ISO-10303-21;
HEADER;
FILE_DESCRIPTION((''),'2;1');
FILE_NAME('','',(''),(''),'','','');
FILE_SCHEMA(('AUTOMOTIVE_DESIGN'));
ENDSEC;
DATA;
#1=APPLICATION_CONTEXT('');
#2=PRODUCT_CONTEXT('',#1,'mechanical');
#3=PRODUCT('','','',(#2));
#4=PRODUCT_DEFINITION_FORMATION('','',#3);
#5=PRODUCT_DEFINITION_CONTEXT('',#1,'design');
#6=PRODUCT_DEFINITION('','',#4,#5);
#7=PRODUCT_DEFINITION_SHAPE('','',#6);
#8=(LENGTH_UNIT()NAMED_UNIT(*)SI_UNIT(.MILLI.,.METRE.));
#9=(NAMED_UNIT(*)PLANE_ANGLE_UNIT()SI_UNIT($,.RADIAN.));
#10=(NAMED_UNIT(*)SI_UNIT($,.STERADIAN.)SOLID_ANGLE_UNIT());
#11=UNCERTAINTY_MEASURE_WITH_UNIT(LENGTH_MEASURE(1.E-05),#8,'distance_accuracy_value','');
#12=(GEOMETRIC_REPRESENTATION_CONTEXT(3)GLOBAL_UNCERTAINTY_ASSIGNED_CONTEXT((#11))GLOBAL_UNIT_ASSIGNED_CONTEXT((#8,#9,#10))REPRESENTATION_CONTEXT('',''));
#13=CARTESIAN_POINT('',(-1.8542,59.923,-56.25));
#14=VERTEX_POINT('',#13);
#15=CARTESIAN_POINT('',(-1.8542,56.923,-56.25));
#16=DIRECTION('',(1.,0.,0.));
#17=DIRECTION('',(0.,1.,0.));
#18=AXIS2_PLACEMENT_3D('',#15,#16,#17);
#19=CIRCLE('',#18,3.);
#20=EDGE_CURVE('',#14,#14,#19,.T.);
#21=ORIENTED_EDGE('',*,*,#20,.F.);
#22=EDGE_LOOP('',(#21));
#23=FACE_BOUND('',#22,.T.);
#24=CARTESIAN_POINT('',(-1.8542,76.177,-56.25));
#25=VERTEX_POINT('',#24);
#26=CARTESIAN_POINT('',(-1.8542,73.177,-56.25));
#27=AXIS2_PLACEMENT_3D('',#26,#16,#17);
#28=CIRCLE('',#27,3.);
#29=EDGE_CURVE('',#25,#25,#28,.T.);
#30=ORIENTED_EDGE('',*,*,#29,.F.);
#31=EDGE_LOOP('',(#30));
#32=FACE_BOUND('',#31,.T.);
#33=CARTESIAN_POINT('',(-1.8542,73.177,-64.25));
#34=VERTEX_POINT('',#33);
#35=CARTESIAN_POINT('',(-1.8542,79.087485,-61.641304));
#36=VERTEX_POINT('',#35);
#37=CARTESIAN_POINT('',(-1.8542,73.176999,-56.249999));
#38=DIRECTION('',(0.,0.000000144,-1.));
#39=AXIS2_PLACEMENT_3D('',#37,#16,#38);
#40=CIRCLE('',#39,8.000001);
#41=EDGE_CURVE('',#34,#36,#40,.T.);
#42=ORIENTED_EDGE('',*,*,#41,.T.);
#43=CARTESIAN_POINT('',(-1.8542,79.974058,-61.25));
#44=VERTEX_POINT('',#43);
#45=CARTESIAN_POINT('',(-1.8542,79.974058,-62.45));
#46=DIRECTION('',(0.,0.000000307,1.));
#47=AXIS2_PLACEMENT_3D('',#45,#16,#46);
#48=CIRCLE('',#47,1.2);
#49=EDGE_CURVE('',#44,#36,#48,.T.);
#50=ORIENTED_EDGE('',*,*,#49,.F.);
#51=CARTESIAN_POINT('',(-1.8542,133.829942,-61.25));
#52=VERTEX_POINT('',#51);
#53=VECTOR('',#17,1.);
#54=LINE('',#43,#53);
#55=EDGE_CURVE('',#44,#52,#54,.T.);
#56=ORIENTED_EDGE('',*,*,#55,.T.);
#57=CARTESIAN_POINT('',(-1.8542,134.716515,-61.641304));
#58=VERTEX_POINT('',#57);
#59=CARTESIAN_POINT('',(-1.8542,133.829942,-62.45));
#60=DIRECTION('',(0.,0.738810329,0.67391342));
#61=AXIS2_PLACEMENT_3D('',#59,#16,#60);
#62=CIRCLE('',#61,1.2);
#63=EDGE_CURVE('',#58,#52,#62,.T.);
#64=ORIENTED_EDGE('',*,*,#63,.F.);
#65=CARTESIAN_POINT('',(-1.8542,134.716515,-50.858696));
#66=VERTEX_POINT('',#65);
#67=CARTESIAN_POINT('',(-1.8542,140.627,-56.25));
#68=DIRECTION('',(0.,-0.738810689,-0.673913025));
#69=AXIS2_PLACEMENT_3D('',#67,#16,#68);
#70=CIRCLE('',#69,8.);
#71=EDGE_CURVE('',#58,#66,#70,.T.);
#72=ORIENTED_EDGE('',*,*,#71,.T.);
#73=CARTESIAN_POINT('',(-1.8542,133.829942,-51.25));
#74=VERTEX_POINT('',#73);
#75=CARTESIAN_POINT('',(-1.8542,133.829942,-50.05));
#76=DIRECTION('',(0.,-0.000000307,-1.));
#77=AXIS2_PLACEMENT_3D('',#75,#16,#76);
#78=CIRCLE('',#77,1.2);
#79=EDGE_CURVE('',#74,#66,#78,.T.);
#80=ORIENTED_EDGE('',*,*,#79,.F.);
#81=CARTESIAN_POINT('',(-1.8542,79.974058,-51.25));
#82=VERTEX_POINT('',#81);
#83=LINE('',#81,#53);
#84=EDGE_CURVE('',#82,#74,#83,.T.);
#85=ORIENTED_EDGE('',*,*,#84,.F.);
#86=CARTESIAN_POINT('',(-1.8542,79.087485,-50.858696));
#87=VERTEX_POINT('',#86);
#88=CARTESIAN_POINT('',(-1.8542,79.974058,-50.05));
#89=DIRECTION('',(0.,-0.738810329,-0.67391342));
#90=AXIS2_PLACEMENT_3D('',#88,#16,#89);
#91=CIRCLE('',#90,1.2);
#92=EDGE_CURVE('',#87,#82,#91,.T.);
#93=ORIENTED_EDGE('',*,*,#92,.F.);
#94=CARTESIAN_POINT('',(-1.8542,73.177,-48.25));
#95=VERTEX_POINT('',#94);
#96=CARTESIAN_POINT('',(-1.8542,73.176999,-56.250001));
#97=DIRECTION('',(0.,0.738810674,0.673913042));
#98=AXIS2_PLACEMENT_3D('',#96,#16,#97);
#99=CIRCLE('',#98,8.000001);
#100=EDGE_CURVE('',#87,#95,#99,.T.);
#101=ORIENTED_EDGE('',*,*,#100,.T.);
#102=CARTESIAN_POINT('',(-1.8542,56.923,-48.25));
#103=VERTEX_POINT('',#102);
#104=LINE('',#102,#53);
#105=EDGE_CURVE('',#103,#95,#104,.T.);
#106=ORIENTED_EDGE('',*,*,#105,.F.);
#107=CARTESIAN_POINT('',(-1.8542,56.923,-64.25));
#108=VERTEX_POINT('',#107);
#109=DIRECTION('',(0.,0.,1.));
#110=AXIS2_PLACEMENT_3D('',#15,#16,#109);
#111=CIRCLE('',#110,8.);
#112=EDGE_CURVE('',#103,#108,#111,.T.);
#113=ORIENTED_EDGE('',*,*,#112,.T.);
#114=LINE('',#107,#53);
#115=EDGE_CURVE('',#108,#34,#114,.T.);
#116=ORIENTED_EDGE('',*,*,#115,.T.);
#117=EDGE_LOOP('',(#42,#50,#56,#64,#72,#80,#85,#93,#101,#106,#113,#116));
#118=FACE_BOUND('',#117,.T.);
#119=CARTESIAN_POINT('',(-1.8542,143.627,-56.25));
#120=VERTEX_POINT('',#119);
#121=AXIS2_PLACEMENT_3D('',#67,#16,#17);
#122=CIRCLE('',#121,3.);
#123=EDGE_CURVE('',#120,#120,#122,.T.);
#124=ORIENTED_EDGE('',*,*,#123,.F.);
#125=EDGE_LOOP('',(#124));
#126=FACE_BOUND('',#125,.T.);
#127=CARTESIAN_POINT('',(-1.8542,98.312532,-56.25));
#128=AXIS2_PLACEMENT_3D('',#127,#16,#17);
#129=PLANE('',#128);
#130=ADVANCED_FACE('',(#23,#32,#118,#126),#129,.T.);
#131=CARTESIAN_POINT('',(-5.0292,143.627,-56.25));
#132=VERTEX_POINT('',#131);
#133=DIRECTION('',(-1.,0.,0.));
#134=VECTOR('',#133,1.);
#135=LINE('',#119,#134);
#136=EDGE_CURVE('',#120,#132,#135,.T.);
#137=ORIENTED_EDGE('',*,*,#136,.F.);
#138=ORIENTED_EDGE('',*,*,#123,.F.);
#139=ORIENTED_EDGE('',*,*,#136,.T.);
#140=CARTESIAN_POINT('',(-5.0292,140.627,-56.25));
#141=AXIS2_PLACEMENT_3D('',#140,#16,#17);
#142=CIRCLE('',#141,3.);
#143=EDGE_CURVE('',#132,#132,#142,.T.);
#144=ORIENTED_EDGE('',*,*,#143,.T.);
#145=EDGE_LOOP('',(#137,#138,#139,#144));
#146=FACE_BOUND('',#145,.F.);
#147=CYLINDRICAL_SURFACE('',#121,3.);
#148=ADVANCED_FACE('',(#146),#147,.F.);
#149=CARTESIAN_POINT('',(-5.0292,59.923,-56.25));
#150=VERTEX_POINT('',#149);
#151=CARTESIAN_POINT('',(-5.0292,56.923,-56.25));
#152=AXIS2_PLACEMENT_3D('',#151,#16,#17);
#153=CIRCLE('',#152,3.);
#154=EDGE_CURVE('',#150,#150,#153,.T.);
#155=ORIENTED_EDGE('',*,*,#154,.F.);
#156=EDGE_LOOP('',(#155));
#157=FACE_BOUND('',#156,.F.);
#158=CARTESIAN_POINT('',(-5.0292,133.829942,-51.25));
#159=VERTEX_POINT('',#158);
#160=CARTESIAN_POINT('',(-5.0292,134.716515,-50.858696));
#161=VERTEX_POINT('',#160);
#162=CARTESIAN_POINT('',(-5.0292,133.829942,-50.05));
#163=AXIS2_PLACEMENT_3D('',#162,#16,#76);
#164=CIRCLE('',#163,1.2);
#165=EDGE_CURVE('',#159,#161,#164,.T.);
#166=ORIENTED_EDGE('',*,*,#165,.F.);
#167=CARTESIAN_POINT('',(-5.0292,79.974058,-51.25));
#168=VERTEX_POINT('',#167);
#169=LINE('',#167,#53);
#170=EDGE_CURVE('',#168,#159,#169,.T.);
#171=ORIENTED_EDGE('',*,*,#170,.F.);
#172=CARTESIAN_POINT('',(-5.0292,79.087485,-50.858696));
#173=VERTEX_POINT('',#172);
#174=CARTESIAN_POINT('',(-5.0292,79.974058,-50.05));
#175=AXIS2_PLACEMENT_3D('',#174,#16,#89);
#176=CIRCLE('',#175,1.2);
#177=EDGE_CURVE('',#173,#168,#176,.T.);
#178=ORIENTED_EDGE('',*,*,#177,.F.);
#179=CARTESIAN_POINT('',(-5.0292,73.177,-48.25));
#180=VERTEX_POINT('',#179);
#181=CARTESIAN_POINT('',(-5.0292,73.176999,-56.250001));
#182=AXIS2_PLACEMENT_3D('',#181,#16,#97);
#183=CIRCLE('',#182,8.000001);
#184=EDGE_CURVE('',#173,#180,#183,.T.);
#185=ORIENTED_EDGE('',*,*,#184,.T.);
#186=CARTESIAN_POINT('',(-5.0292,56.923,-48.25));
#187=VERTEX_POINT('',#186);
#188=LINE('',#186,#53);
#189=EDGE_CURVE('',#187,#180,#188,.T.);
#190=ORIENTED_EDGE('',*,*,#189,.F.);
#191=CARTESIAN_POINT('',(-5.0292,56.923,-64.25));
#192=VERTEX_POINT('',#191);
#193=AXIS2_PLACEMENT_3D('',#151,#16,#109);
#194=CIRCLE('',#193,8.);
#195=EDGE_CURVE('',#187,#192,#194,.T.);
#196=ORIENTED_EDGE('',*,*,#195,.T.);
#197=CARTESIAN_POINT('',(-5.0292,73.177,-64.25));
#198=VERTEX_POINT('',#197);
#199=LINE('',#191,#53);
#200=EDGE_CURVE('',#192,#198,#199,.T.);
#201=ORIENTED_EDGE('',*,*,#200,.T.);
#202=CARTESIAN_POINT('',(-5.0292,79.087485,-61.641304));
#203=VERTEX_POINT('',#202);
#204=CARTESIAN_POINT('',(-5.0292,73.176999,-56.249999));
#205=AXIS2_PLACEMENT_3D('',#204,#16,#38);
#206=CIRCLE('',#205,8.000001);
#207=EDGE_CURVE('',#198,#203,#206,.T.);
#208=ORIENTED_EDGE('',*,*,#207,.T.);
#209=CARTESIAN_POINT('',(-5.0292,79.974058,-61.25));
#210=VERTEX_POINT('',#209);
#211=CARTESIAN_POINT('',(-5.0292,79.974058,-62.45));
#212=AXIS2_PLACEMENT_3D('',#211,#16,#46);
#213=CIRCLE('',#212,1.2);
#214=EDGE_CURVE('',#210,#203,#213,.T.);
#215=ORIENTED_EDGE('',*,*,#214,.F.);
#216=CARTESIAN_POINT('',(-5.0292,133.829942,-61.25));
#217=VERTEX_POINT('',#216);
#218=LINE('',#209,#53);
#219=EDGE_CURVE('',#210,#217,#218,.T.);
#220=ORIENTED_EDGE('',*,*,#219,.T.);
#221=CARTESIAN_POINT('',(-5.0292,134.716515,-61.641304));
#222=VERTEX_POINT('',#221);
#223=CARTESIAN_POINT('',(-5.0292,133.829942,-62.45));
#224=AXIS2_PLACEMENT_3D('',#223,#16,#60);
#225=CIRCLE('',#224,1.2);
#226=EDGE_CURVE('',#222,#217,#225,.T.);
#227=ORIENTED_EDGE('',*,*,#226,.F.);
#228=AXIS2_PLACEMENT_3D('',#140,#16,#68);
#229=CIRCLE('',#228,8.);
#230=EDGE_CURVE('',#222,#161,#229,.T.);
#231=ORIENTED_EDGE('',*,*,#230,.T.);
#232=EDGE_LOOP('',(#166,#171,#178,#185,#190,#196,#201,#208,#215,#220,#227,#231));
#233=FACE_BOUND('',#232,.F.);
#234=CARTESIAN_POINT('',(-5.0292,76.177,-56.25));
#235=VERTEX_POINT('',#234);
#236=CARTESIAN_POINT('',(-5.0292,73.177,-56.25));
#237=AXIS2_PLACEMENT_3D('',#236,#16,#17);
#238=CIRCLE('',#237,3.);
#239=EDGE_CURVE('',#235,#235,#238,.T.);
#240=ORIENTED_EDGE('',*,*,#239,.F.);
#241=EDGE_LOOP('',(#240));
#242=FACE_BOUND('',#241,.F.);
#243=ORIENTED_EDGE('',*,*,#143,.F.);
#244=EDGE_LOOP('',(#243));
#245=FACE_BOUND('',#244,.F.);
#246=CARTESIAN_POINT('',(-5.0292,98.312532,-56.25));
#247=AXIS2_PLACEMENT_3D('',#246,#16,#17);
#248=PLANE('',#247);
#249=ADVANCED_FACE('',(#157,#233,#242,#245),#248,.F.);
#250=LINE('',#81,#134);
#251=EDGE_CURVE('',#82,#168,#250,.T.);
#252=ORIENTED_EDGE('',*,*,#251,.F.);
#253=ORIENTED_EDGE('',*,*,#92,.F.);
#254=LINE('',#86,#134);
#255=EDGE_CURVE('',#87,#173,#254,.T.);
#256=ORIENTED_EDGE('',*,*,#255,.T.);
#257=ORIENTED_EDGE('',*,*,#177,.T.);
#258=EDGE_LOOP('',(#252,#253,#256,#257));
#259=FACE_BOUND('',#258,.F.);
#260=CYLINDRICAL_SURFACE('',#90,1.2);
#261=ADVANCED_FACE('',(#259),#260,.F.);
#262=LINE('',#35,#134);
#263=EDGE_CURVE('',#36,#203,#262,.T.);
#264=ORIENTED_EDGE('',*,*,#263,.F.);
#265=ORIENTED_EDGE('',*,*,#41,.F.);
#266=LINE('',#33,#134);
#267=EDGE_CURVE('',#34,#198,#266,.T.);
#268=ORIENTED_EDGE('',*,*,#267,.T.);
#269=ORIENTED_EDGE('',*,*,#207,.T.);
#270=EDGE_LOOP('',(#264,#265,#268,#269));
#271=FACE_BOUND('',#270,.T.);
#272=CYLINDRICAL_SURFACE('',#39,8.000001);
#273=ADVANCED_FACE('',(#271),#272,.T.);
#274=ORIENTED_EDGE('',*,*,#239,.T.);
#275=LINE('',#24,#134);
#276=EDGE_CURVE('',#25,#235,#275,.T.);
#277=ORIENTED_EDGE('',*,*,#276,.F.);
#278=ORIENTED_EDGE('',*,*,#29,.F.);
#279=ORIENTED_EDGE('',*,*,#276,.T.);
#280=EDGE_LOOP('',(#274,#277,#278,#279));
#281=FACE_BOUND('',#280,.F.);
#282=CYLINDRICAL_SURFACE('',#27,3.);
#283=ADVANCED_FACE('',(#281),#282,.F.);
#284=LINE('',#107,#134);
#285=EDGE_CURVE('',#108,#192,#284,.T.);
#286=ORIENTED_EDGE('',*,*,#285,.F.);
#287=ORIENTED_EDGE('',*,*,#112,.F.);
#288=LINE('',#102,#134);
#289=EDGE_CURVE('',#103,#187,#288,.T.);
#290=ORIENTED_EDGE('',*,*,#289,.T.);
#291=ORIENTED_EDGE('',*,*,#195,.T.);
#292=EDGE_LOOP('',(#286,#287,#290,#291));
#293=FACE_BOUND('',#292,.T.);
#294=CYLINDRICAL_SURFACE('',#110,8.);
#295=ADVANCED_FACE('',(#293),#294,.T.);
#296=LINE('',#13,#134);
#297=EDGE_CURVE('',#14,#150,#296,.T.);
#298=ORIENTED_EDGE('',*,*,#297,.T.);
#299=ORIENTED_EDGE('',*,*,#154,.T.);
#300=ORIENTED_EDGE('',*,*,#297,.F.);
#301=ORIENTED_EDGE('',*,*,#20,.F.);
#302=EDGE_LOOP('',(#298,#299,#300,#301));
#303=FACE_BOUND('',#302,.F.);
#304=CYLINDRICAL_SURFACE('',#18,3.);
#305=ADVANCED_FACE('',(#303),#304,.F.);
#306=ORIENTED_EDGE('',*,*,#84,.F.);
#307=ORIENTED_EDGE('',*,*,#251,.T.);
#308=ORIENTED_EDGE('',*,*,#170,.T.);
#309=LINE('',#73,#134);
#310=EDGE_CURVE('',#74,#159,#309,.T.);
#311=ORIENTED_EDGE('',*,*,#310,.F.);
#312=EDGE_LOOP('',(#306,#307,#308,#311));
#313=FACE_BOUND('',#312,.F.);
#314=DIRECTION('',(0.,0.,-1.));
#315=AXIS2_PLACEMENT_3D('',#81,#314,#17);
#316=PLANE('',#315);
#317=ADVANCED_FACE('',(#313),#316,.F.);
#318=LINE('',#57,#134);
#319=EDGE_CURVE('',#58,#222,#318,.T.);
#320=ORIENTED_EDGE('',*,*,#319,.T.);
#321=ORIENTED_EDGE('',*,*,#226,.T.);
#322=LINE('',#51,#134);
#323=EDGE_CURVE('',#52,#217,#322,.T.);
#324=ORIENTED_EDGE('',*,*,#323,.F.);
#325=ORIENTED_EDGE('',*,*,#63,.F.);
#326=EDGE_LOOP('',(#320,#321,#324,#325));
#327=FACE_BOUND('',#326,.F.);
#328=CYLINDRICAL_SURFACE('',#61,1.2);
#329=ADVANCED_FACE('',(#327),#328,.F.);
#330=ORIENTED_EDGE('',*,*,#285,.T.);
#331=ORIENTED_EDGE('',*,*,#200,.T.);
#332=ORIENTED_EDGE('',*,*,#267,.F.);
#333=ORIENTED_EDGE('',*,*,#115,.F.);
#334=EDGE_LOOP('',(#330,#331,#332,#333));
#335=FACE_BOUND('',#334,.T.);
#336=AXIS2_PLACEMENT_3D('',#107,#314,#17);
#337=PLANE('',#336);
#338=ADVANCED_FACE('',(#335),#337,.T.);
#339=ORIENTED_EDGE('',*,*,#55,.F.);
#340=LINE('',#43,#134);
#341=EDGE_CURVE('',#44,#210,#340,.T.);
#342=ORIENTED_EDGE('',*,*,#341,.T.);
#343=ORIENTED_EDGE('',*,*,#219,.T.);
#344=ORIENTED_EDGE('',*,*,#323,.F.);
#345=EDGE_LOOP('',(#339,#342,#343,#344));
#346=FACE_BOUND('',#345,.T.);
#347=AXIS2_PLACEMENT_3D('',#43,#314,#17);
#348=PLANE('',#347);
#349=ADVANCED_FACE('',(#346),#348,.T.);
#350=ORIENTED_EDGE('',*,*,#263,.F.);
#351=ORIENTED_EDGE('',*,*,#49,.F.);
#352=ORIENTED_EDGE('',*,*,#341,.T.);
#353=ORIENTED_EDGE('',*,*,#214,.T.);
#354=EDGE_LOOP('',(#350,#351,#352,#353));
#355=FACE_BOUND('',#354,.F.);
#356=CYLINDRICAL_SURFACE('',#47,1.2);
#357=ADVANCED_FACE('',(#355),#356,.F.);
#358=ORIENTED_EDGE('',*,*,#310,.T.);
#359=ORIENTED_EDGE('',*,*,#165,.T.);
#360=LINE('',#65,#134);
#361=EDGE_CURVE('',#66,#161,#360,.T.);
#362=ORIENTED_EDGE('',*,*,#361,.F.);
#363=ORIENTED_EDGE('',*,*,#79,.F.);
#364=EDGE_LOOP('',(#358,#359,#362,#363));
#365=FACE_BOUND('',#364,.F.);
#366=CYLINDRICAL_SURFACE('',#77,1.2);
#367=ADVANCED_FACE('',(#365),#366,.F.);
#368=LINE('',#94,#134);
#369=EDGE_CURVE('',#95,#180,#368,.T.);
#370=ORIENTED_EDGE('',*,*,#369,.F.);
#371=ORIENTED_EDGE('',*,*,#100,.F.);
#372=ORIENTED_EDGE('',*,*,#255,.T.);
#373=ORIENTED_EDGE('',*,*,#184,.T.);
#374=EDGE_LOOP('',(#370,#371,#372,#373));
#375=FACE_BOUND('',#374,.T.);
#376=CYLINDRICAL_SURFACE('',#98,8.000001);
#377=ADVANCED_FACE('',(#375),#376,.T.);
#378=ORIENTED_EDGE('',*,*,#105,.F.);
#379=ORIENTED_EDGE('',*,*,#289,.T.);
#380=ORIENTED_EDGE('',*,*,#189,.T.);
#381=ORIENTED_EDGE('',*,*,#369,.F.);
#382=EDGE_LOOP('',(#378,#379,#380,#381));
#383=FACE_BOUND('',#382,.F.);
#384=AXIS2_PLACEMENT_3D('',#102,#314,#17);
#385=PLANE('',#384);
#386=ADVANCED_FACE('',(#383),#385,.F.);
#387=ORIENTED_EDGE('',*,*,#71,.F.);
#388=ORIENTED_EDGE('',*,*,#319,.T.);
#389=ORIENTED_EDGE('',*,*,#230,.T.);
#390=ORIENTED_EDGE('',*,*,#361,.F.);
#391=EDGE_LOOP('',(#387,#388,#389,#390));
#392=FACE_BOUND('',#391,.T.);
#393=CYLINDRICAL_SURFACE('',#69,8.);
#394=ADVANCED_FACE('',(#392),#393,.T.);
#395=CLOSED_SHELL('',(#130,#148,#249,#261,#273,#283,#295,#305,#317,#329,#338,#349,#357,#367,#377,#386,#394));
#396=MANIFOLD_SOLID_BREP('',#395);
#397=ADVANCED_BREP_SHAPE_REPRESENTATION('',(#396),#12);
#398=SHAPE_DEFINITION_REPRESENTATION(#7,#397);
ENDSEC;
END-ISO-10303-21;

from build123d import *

# Parameters (mm, degrees)
SKETCH_R  = 3
PAD_DEPTH = 3.175


with BuildPart() as part:
    # Sketch (on Face26 of Binder) → Pad (new body)
    with BuildSketch(Plane.YZ.offset(-1.8542)):
        with BuildLine():
            ThreePointArc((56.923, -48.25), (48.923, -56.25), (56.923, -64.25))
            Line((56.923, -64.25), (73.177, -64.25))
            ThreePointArc((73.177, -64.25), (76.407291, -63.568826), (79.087485, -61.641304))
            ThreePointArc((79.974058, -61.25), (79.489514, -61.352176), (79.087485, -61.641304))
            Line((79.974058, -61.25), (133.829942, -61.25))
            ThreePointArc((134.716515, -61.641304), (134.314486, -61.352176), (133.829942, -61.25))
            ThreePointArc((134.716515, -61.641304), (148.627, -56.25), (134.716515, -50.858696))
            ThreePointArc((133.829942, -51.25), (134.314486, -51.147824), (134.716515, -50.858696))
            Line((79.974058, -51.25), (133.829942, -51.25))
            ThreePointArc((79.087485, -50.858696), (79.489514, -51.147824), (79.974058, -51.25))
            ThreePointArc((79.087485, -50.858696), (76.407291, -48.931174), (73.177, -48.25))
            Line((56.923, -48.25), (73.177, -48.25))
        make_face()
        with Locations((56.923, -56.25)):
            Circle(SKETCH_R, mode=Mode.SUBTRACT)
        with Locations((73.177, -56.25)):
            Circle(SKETCH_R, mode=Mode.SUBTRACT)
        with Locations((140.627, -56.25)):
            Circle(SKETCH_R, mode=Mode.SUBTRACT)
    extrude(amount=-PAD_DEPTH)


solid = part.part
